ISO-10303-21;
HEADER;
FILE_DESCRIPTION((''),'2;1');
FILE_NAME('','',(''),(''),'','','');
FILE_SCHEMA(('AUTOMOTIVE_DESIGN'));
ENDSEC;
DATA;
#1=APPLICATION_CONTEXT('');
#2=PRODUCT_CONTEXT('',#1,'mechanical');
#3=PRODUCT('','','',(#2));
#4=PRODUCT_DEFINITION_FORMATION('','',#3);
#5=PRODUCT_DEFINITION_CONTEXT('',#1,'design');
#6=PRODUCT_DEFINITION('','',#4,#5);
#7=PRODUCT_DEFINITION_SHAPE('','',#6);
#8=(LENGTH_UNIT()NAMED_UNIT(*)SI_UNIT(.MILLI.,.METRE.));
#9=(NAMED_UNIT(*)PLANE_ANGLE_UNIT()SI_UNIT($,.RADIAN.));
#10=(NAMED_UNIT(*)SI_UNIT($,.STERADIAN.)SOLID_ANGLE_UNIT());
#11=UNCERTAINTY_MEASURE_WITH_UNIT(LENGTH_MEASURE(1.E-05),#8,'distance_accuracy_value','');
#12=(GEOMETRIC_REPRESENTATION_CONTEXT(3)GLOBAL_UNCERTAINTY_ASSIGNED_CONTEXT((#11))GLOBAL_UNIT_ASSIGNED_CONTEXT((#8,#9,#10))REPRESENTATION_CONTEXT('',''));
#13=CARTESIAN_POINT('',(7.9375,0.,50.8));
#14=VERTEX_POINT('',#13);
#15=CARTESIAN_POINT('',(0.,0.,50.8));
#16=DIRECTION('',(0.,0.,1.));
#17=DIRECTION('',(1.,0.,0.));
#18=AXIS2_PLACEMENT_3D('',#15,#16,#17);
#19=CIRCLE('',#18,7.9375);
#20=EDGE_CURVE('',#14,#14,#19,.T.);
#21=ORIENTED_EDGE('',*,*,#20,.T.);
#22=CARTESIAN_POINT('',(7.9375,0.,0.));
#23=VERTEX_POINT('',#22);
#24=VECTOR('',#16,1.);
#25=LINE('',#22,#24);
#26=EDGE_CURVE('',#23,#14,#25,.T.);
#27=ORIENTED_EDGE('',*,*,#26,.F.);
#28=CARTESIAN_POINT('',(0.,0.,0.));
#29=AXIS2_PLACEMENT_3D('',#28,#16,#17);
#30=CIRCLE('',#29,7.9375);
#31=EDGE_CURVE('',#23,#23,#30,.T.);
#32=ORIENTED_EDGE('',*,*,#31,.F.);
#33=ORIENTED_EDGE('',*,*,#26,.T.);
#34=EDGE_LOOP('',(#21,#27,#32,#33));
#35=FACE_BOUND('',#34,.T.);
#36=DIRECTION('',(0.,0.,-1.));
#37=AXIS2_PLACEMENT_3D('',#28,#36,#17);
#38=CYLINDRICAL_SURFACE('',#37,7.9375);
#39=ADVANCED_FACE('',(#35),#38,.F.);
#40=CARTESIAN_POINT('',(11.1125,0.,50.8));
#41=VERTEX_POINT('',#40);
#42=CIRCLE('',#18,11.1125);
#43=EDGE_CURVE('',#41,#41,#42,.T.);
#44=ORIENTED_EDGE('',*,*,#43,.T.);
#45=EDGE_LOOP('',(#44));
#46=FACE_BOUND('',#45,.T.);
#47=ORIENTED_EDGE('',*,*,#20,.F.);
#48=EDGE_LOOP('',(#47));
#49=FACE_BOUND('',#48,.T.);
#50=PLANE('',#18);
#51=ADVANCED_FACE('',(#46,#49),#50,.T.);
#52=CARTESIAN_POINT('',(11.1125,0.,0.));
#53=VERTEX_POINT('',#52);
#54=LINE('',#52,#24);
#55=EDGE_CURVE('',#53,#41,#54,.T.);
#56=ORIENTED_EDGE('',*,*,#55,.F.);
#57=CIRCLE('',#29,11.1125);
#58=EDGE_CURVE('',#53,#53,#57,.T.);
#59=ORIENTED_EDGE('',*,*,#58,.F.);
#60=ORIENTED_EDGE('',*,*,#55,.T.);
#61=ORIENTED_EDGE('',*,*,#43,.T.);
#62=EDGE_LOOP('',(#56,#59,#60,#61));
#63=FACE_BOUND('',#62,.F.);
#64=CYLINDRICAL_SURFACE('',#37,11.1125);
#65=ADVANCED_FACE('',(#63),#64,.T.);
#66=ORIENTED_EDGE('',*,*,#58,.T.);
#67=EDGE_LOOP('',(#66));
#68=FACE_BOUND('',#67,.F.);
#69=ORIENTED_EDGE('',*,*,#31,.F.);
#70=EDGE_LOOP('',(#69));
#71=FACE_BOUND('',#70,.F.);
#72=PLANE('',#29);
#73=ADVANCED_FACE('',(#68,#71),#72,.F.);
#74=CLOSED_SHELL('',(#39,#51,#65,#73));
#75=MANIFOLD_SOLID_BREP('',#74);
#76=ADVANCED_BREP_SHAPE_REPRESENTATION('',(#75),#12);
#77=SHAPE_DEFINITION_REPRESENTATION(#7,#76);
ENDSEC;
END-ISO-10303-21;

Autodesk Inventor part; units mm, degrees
ref_plane "YZ Plane" through (0, 0, 0) normal (1, 0, 0) x (0, 1, 0)
ref_plane "XZ Plane" through (0, 0, 0) normal (0, 1, 0) x (-1, 0, 0)
ref_plane "XY Plane" through (0, 0, 0) normal (0, 0, 1) x (1, 0, 0)
sketch "Sketch1" plane through (0, 0, 0) normal (0, 0, 1) x (1, 0, 0)
  circle A0 centre (0, 0) radius 11.1125
  circle A1 centre (0, 0) radius 7.9375
  dimension "d0" = 22.225
  dimension "d1" = 3.175
extrude "Extrusion1" add sketch "Sketch1" along normal blind 50.8
properties part number "GE-12089-03"
